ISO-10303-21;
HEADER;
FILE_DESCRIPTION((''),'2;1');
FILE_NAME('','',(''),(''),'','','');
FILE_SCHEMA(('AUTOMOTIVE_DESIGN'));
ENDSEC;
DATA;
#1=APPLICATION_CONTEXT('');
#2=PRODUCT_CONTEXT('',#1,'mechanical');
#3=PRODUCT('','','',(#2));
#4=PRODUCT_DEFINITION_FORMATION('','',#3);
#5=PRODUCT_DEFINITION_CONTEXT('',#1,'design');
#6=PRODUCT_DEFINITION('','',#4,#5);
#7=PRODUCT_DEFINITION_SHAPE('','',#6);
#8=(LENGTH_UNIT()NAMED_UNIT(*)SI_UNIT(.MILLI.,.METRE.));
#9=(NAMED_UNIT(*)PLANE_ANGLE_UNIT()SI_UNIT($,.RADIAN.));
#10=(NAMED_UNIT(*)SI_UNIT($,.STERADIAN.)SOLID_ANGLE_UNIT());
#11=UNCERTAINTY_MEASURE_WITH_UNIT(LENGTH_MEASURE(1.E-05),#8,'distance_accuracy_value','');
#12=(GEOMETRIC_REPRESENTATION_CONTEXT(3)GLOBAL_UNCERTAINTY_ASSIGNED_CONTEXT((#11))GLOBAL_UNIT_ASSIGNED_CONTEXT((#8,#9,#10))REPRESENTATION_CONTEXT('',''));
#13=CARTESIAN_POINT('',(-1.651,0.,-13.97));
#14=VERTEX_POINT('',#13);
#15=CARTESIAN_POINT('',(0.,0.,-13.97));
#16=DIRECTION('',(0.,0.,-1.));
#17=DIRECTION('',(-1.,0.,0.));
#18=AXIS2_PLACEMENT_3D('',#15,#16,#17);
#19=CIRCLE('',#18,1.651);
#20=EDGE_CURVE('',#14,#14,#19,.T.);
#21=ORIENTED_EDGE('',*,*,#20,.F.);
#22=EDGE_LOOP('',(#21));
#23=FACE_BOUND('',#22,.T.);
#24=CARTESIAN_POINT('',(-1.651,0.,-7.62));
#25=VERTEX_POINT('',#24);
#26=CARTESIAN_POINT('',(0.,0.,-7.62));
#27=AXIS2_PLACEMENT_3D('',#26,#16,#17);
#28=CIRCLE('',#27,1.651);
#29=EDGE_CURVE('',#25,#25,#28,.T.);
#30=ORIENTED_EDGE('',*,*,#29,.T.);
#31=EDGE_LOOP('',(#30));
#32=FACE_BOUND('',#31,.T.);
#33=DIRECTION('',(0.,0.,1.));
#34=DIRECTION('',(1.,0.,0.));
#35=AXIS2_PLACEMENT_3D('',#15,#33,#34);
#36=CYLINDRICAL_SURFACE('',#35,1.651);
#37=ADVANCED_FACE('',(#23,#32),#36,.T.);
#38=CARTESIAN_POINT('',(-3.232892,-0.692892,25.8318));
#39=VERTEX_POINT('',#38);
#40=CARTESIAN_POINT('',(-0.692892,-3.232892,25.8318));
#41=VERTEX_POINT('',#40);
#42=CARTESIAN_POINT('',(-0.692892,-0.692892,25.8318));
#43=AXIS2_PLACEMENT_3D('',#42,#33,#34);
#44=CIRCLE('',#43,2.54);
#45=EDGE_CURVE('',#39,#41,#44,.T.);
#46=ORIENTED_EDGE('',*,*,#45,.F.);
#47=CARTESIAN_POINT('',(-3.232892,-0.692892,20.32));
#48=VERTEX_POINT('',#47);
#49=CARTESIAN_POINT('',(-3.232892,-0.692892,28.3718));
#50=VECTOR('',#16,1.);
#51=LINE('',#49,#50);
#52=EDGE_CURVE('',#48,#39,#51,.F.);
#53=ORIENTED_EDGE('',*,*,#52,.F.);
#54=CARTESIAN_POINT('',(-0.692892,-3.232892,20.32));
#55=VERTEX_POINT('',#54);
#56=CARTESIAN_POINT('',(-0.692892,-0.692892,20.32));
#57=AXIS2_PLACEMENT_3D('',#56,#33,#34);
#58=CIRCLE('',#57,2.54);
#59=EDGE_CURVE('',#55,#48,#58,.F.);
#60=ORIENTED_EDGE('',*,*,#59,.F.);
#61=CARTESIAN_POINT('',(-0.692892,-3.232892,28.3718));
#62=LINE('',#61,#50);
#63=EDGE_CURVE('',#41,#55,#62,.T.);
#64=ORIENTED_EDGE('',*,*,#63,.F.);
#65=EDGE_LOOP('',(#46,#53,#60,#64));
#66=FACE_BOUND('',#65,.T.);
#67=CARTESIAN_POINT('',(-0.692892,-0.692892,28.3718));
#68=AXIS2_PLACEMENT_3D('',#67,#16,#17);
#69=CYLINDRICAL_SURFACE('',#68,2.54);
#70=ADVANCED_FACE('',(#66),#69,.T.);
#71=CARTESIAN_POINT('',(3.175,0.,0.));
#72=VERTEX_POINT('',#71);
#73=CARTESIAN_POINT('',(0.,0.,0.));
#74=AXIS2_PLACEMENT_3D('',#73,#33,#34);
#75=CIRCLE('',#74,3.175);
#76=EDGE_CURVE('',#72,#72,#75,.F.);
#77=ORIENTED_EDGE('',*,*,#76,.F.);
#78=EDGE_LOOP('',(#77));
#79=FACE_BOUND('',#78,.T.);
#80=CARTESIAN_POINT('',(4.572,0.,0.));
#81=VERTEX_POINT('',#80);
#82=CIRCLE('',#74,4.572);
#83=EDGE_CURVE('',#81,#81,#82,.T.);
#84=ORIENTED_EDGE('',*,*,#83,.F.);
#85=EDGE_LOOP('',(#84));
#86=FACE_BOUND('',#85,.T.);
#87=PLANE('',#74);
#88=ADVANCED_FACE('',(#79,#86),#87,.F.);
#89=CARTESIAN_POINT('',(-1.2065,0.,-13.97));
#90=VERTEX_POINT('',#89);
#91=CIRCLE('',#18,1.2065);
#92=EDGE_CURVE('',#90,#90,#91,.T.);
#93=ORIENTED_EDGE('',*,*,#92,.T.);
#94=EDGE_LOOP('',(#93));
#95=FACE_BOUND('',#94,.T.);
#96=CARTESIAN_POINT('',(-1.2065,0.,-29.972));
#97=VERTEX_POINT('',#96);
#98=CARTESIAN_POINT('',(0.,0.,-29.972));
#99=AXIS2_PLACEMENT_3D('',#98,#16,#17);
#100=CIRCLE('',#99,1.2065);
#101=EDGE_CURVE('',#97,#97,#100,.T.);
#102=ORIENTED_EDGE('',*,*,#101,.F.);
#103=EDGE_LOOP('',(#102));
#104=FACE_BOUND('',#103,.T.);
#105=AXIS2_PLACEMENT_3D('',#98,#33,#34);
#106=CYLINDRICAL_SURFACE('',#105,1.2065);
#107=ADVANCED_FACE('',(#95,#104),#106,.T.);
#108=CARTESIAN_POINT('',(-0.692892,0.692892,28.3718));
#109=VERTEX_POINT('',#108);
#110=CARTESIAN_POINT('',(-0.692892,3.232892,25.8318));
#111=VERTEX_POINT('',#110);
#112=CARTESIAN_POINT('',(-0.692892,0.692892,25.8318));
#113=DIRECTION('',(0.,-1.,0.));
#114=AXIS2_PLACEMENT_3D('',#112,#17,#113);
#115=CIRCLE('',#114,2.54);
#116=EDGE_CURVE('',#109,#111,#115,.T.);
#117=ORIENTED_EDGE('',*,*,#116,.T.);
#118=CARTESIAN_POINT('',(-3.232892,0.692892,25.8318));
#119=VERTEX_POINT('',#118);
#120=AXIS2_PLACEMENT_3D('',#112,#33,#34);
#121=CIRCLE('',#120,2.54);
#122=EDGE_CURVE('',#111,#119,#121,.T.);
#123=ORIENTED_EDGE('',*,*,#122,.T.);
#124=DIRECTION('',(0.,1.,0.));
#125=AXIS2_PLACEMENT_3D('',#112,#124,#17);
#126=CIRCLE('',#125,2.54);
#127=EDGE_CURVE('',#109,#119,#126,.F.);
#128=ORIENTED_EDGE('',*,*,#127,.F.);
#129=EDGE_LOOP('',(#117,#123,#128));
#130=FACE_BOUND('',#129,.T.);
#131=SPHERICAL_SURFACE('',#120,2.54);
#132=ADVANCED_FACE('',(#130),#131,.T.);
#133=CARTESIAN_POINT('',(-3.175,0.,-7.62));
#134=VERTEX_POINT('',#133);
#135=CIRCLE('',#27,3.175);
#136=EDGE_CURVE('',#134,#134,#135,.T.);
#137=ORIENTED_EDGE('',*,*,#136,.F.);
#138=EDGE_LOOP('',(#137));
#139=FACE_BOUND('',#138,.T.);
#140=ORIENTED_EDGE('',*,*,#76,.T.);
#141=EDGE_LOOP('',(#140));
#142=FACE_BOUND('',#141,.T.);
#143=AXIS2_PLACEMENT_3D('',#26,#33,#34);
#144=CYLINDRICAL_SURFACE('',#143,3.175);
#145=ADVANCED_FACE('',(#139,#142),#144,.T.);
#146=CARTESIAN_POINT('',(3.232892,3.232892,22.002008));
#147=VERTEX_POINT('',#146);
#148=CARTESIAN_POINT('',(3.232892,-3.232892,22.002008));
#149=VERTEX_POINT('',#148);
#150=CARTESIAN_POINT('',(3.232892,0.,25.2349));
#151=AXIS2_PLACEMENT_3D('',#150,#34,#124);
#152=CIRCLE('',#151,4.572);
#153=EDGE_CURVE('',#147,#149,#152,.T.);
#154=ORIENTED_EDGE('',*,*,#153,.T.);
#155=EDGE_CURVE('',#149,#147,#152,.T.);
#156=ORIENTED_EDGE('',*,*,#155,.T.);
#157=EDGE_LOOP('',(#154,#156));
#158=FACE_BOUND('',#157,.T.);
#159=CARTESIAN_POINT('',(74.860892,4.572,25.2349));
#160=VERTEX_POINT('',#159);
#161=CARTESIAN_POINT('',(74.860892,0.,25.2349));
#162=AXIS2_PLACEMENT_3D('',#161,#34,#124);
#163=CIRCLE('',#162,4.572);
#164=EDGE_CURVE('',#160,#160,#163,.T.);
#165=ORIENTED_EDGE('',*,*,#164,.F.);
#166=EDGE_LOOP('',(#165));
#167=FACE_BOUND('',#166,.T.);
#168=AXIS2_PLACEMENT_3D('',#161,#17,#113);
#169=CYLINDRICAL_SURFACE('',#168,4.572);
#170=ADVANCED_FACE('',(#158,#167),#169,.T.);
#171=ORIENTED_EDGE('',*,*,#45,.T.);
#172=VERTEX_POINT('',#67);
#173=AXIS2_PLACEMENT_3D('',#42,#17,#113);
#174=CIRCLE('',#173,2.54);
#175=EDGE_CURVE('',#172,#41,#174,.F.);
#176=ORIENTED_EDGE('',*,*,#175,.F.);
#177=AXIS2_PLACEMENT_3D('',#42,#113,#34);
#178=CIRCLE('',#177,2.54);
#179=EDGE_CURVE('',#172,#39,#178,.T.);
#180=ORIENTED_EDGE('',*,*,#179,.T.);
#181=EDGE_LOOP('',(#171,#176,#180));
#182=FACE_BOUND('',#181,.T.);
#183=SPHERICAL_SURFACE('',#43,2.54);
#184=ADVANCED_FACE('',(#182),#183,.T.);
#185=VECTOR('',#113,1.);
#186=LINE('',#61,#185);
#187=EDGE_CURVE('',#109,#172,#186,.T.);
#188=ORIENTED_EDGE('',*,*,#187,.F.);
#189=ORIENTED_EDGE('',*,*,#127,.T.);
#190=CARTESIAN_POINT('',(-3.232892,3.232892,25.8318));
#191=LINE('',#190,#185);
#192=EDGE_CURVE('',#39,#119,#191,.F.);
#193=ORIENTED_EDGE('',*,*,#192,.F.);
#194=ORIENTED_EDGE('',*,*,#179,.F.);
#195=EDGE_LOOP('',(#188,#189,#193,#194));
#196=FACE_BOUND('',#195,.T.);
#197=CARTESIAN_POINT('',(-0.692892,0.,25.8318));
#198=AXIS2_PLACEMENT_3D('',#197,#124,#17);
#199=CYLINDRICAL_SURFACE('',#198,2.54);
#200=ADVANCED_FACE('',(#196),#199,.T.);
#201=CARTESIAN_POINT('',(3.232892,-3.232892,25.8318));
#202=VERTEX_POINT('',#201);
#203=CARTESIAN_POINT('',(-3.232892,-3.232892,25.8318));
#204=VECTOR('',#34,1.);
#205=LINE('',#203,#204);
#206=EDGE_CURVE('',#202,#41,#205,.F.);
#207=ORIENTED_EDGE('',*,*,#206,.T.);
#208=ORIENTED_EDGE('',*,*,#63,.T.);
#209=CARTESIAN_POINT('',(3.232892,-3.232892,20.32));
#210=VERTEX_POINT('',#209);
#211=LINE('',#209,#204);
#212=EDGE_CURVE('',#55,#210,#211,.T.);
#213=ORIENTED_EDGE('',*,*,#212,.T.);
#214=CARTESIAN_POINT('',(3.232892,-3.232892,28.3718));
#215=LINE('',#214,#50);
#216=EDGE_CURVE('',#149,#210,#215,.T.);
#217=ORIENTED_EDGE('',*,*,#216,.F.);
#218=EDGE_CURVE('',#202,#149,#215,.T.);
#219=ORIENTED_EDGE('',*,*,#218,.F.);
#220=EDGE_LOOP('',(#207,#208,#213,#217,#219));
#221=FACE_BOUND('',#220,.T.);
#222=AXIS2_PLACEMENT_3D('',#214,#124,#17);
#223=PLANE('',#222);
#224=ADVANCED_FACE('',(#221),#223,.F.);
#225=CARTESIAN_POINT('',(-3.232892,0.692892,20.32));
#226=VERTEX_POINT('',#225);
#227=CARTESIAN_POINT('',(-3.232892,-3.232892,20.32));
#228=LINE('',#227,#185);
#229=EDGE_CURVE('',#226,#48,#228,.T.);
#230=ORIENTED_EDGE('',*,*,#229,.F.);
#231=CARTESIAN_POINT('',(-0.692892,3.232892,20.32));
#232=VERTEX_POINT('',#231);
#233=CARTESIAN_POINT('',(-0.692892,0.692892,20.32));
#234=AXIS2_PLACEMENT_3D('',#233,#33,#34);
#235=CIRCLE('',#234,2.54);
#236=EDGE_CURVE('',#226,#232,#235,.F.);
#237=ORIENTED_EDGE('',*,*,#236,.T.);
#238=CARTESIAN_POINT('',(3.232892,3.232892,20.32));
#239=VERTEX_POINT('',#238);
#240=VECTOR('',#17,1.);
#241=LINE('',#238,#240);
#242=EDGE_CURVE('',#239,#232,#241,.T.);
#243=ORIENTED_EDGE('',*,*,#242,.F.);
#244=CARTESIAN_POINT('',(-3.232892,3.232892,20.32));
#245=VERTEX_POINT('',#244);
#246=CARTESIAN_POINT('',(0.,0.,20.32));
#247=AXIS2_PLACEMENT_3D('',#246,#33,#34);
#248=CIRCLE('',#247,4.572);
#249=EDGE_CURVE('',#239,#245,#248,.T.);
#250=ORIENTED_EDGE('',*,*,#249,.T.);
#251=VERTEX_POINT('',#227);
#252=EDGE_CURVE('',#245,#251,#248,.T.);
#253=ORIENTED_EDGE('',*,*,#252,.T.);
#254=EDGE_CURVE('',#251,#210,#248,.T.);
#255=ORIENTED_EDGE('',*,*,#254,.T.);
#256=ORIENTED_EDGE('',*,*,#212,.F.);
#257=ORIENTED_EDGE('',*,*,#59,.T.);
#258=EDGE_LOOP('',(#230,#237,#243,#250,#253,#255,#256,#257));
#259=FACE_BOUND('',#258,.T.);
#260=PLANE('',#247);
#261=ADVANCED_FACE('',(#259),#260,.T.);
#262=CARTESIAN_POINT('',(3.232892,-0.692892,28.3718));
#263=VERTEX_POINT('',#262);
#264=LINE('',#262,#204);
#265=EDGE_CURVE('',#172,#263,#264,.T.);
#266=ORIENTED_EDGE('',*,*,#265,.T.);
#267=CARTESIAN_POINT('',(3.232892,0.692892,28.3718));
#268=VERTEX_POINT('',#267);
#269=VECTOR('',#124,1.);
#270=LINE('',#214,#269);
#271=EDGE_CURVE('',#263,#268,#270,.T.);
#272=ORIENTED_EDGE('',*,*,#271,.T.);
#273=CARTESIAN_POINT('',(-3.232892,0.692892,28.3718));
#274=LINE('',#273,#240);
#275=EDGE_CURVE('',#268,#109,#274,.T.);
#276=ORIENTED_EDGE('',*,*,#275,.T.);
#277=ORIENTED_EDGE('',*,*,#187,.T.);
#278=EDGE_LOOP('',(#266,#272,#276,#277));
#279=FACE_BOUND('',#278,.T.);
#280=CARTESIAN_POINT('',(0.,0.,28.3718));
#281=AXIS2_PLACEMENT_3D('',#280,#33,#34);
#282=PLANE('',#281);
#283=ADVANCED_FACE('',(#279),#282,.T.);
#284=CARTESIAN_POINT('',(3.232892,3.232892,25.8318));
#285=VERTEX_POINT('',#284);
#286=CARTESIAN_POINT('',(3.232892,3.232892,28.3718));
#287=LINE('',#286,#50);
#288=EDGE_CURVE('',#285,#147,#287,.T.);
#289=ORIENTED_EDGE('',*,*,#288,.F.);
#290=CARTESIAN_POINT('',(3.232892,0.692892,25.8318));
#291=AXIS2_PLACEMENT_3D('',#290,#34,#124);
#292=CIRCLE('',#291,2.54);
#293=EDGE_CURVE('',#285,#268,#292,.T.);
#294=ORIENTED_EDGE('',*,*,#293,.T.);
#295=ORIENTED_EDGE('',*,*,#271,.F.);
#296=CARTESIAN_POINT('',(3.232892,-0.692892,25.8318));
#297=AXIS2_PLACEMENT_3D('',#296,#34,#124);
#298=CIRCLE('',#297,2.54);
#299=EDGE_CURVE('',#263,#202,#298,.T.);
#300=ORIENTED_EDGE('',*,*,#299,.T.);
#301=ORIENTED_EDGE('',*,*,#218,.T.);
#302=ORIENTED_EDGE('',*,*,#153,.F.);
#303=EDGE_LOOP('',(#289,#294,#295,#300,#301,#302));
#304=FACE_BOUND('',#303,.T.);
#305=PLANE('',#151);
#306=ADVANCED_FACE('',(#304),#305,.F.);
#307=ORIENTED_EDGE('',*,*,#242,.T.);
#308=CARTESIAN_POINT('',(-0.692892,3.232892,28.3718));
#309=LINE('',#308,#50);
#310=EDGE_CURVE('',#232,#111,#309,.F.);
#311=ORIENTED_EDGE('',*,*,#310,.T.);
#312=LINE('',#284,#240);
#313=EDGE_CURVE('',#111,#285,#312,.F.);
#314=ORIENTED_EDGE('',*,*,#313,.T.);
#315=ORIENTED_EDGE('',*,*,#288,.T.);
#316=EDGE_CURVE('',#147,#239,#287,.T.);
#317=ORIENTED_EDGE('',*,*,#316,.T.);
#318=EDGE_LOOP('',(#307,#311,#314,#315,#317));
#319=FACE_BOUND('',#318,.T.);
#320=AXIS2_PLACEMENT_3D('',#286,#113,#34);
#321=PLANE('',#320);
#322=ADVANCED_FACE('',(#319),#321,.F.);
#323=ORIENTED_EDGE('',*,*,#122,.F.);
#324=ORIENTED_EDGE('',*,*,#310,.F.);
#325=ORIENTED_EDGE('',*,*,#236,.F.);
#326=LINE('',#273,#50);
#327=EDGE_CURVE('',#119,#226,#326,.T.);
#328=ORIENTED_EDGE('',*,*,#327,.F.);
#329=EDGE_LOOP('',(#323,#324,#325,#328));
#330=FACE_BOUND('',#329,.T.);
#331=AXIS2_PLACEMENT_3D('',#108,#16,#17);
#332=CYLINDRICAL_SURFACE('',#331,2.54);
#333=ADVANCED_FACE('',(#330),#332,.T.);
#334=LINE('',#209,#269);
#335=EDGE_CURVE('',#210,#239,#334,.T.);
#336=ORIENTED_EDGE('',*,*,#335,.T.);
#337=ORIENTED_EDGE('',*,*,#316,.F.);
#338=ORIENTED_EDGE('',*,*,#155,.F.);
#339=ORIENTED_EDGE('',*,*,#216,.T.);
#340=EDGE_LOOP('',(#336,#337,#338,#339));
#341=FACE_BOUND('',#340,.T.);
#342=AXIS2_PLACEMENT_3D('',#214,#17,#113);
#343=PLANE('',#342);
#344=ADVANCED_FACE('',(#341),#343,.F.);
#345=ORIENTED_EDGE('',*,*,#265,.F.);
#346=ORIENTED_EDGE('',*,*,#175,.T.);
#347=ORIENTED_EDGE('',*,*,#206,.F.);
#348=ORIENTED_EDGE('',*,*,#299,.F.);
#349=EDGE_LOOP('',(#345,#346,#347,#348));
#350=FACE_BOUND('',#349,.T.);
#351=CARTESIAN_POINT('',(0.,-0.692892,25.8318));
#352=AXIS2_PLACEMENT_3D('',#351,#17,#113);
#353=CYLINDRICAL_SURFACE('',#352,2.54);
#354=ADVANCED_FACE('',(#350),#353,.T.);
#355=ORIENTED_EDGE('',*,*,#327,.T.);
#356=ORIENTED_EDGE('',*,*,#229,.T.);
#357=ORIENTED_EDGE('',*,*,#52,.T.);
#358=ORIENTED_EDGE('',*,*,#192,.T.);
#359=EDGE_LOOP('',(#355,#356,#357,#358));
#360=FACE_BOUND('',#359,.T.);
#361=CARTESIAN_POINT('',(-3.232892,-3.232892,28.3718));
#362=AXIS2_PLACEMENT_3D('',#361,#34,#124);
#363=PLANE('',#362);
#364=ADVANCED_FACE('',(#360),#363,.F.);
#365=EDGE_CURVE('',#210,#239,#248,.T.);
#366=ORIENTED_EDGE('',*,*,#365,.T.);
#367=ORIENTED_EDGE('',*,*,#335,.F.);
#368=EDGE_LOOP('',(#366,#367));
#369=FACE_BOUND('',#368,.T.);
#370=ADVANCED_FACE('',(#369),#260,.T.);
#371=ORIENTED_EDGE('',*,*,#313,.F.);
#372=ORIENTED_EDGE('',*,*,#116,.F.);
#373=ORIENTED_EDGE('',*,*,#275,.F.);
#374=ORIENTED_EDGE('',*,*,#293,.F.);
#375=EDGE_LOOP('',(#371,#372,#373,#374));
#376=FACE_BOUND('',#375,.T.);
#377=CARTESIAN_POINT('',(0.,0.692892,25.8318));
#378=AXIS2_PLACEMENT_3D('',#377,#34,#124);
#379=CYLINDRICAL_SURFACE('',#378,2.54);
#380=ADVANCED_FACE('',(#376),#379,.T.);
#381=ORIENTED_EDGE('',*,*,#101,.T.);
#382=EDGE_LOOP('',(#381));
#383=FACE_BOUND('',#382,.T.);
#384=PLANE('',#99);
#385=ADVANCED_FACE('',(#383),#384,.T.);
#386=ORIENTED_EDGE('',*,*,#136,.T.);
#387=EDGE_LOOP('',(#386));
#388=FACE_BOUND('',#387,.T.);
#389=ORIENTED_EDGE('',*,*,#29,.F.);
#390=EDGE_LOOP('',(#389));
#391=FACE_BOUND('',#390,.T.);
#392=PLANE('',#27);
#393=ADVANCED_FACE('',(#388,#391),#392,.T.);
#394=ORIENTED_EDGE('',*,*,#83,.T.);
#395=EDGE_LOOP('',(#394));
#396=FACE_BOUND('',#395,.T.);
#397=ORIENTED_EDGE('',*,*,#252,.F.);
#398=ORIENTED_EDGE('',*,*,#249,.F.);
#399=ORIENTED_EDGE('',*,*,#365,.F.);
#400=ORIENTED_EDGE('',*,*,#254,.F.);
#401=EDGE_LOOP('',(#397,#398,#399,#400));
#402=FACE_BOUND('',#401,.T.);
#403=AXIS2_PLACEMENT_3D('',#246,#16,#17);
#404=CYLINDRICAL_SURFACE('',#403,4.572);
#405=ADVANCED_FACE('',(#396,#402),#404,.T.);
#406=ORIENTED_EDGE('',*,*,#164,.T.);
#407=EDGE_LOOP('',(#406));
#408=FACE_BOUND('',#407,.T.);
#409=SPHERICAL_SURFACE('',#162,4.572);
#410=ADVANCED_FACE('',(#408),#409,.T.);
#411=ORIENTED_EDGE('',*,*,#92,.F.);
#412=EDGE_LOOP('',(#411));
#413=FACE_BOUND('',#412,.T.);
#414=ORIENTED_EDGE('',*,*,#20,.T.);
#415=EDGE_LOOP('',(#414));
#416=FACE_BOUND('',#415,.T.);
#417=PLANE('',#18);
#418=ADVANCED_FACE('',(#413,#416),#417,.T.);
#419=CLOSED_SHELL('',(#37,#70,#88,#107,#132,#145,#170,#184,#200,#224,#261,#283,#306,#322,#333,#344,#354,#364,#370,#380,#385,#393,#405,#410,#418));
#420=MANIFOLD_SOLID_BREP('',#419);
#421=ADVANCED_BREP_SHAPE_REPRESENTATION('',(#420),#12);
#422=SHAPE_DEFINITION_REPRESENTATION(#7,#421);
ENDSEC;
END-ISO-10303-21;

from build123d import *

# Parameters (mm, degrees)
SKETCH1_R           = 4.572
BOSS_EXTRUDE1_DEPTH = 20.32
SKETCH2_R           = 3.175
BOSS_EXTRUDE2_DEPTH = 7.62
SKETCH3_R           = 1.651
BOSS_EXTRUDE3_DEPTH = 6.35
SKETCH4_R           = 1.2065
BOSS_EXTRUDE4_DEPTH = 16.002
SKETCH8_W           = 6.465784408
SKETCH8_H           = 6.465784408
BOSS_EXTRUDE5_DEPTH = 8.0518
SKETCH10_R          = 4.572
BOSS_EXTRUDE6_DEPTH = 71.628
DOME4_FACE_RADIUS   = 4.572
DOME4_HEIGHT        = 4.572
FILLET1_R           = 2.54


with BuildPart() as part:
    # Sketch1 → Boss-Extrude1 (new body)
    with BuildSketch(Plane.XY):
        Circle(SKETCH1_R)
    extrude(amount=BOSS_EXTRUDE1_DEPTH)

    # Sketch2 → Boss-Extrude2 (add)
    with BuildSketch(Plane(origin=(0, 0, 0), x_dir=(-1, 0, 0), z_dir=(0, 0, -1))):
        Circle(SKETCH2_R)
    extrude(amount=BOSS_EXTRUDE2_DEPTH)

    # Sketch3 → Boss-Extrude3 (add)
    with BuildSketch(Plane(origin=(0, 0, -7.62), x_dir=(-1, 0, 0), z_dir=(0, 0, -1))):
        Circle(SKETCH3_R)
    extrude(amount=BOSS_EXTRUDE3_DEPTH)

    # Sketch4 → Boss-Extrude4 (add)
    with BuildSketch(Plane(origin=(0, 0, -13.97), x_dir=(-1, 0, 0), z_dir=(0, 0, -1))):
        Circle(SKETCH4_R)
    extrude(amount=BOSS_EXTRUDE4_DEPTH)

    # Sketch8 → Boss-Extrude5 (add)
    with BuildSketch(Plane.XY.offset(20.32)):
        Rectangle(SKETCH8_W, SKETCH8_H)
    extrude(amount=BOSS_EXTRUDE5_DEPTH)

    # Sketch10 → Boss-Extrude6 (add)
    with BuildSketch(Plane(origin=(3.232892204, 0, 0), x_dir=(0, 0, -1), z_dir=(1, 0, 0))):
        with Locations((-25.2349, 0)):
            Circle(SKETCH10_R)
    extrude(amount=BOSS_EXTRUDE6_DEPTH)

    # Dome4: a dome of height H over a round flat face of radius A is a cap of a sphere of radius (A * A + H * H) / (2 * H)
    dome4_r = (DOME4_FACE_RADIUS * DOME4_FACE_RADIUS + DOME4_HEIGHT * DOME4_HEIGHT) / (2 * DOME4_HEIGHT)
    dome4_base = Plane((74.860892204, 0, 25.2349), z_dir=(1, 0, 0))
    with Locations(dome4_base.offset(DOME4_HEIGHT - dome4_r)):
        dome4_ball = Sphere(dome4_r, mode=Mode.PRIVATE)
    add(split(dome4_ball, bisect_by=dome4_base, keep=Keep.TOP, mode=Mode.PRIVATE))

    # Fillet1
    fillet1_edges = [part.edges().sort_by_distance(p)[0] for p in [
        (-3.232892204, 3.232892204, 24.3459),
        (-3.232892204, -3.232892204, 24.3459),
        (0, 3.232892204, 28.3718),
        (-3.232892204, 0, 28.3718),
        (0, -3.232892204, 28.3718),
    ]]
    fillet(fillet1_edges, radius=FILLET1_R)


solid = part.part
